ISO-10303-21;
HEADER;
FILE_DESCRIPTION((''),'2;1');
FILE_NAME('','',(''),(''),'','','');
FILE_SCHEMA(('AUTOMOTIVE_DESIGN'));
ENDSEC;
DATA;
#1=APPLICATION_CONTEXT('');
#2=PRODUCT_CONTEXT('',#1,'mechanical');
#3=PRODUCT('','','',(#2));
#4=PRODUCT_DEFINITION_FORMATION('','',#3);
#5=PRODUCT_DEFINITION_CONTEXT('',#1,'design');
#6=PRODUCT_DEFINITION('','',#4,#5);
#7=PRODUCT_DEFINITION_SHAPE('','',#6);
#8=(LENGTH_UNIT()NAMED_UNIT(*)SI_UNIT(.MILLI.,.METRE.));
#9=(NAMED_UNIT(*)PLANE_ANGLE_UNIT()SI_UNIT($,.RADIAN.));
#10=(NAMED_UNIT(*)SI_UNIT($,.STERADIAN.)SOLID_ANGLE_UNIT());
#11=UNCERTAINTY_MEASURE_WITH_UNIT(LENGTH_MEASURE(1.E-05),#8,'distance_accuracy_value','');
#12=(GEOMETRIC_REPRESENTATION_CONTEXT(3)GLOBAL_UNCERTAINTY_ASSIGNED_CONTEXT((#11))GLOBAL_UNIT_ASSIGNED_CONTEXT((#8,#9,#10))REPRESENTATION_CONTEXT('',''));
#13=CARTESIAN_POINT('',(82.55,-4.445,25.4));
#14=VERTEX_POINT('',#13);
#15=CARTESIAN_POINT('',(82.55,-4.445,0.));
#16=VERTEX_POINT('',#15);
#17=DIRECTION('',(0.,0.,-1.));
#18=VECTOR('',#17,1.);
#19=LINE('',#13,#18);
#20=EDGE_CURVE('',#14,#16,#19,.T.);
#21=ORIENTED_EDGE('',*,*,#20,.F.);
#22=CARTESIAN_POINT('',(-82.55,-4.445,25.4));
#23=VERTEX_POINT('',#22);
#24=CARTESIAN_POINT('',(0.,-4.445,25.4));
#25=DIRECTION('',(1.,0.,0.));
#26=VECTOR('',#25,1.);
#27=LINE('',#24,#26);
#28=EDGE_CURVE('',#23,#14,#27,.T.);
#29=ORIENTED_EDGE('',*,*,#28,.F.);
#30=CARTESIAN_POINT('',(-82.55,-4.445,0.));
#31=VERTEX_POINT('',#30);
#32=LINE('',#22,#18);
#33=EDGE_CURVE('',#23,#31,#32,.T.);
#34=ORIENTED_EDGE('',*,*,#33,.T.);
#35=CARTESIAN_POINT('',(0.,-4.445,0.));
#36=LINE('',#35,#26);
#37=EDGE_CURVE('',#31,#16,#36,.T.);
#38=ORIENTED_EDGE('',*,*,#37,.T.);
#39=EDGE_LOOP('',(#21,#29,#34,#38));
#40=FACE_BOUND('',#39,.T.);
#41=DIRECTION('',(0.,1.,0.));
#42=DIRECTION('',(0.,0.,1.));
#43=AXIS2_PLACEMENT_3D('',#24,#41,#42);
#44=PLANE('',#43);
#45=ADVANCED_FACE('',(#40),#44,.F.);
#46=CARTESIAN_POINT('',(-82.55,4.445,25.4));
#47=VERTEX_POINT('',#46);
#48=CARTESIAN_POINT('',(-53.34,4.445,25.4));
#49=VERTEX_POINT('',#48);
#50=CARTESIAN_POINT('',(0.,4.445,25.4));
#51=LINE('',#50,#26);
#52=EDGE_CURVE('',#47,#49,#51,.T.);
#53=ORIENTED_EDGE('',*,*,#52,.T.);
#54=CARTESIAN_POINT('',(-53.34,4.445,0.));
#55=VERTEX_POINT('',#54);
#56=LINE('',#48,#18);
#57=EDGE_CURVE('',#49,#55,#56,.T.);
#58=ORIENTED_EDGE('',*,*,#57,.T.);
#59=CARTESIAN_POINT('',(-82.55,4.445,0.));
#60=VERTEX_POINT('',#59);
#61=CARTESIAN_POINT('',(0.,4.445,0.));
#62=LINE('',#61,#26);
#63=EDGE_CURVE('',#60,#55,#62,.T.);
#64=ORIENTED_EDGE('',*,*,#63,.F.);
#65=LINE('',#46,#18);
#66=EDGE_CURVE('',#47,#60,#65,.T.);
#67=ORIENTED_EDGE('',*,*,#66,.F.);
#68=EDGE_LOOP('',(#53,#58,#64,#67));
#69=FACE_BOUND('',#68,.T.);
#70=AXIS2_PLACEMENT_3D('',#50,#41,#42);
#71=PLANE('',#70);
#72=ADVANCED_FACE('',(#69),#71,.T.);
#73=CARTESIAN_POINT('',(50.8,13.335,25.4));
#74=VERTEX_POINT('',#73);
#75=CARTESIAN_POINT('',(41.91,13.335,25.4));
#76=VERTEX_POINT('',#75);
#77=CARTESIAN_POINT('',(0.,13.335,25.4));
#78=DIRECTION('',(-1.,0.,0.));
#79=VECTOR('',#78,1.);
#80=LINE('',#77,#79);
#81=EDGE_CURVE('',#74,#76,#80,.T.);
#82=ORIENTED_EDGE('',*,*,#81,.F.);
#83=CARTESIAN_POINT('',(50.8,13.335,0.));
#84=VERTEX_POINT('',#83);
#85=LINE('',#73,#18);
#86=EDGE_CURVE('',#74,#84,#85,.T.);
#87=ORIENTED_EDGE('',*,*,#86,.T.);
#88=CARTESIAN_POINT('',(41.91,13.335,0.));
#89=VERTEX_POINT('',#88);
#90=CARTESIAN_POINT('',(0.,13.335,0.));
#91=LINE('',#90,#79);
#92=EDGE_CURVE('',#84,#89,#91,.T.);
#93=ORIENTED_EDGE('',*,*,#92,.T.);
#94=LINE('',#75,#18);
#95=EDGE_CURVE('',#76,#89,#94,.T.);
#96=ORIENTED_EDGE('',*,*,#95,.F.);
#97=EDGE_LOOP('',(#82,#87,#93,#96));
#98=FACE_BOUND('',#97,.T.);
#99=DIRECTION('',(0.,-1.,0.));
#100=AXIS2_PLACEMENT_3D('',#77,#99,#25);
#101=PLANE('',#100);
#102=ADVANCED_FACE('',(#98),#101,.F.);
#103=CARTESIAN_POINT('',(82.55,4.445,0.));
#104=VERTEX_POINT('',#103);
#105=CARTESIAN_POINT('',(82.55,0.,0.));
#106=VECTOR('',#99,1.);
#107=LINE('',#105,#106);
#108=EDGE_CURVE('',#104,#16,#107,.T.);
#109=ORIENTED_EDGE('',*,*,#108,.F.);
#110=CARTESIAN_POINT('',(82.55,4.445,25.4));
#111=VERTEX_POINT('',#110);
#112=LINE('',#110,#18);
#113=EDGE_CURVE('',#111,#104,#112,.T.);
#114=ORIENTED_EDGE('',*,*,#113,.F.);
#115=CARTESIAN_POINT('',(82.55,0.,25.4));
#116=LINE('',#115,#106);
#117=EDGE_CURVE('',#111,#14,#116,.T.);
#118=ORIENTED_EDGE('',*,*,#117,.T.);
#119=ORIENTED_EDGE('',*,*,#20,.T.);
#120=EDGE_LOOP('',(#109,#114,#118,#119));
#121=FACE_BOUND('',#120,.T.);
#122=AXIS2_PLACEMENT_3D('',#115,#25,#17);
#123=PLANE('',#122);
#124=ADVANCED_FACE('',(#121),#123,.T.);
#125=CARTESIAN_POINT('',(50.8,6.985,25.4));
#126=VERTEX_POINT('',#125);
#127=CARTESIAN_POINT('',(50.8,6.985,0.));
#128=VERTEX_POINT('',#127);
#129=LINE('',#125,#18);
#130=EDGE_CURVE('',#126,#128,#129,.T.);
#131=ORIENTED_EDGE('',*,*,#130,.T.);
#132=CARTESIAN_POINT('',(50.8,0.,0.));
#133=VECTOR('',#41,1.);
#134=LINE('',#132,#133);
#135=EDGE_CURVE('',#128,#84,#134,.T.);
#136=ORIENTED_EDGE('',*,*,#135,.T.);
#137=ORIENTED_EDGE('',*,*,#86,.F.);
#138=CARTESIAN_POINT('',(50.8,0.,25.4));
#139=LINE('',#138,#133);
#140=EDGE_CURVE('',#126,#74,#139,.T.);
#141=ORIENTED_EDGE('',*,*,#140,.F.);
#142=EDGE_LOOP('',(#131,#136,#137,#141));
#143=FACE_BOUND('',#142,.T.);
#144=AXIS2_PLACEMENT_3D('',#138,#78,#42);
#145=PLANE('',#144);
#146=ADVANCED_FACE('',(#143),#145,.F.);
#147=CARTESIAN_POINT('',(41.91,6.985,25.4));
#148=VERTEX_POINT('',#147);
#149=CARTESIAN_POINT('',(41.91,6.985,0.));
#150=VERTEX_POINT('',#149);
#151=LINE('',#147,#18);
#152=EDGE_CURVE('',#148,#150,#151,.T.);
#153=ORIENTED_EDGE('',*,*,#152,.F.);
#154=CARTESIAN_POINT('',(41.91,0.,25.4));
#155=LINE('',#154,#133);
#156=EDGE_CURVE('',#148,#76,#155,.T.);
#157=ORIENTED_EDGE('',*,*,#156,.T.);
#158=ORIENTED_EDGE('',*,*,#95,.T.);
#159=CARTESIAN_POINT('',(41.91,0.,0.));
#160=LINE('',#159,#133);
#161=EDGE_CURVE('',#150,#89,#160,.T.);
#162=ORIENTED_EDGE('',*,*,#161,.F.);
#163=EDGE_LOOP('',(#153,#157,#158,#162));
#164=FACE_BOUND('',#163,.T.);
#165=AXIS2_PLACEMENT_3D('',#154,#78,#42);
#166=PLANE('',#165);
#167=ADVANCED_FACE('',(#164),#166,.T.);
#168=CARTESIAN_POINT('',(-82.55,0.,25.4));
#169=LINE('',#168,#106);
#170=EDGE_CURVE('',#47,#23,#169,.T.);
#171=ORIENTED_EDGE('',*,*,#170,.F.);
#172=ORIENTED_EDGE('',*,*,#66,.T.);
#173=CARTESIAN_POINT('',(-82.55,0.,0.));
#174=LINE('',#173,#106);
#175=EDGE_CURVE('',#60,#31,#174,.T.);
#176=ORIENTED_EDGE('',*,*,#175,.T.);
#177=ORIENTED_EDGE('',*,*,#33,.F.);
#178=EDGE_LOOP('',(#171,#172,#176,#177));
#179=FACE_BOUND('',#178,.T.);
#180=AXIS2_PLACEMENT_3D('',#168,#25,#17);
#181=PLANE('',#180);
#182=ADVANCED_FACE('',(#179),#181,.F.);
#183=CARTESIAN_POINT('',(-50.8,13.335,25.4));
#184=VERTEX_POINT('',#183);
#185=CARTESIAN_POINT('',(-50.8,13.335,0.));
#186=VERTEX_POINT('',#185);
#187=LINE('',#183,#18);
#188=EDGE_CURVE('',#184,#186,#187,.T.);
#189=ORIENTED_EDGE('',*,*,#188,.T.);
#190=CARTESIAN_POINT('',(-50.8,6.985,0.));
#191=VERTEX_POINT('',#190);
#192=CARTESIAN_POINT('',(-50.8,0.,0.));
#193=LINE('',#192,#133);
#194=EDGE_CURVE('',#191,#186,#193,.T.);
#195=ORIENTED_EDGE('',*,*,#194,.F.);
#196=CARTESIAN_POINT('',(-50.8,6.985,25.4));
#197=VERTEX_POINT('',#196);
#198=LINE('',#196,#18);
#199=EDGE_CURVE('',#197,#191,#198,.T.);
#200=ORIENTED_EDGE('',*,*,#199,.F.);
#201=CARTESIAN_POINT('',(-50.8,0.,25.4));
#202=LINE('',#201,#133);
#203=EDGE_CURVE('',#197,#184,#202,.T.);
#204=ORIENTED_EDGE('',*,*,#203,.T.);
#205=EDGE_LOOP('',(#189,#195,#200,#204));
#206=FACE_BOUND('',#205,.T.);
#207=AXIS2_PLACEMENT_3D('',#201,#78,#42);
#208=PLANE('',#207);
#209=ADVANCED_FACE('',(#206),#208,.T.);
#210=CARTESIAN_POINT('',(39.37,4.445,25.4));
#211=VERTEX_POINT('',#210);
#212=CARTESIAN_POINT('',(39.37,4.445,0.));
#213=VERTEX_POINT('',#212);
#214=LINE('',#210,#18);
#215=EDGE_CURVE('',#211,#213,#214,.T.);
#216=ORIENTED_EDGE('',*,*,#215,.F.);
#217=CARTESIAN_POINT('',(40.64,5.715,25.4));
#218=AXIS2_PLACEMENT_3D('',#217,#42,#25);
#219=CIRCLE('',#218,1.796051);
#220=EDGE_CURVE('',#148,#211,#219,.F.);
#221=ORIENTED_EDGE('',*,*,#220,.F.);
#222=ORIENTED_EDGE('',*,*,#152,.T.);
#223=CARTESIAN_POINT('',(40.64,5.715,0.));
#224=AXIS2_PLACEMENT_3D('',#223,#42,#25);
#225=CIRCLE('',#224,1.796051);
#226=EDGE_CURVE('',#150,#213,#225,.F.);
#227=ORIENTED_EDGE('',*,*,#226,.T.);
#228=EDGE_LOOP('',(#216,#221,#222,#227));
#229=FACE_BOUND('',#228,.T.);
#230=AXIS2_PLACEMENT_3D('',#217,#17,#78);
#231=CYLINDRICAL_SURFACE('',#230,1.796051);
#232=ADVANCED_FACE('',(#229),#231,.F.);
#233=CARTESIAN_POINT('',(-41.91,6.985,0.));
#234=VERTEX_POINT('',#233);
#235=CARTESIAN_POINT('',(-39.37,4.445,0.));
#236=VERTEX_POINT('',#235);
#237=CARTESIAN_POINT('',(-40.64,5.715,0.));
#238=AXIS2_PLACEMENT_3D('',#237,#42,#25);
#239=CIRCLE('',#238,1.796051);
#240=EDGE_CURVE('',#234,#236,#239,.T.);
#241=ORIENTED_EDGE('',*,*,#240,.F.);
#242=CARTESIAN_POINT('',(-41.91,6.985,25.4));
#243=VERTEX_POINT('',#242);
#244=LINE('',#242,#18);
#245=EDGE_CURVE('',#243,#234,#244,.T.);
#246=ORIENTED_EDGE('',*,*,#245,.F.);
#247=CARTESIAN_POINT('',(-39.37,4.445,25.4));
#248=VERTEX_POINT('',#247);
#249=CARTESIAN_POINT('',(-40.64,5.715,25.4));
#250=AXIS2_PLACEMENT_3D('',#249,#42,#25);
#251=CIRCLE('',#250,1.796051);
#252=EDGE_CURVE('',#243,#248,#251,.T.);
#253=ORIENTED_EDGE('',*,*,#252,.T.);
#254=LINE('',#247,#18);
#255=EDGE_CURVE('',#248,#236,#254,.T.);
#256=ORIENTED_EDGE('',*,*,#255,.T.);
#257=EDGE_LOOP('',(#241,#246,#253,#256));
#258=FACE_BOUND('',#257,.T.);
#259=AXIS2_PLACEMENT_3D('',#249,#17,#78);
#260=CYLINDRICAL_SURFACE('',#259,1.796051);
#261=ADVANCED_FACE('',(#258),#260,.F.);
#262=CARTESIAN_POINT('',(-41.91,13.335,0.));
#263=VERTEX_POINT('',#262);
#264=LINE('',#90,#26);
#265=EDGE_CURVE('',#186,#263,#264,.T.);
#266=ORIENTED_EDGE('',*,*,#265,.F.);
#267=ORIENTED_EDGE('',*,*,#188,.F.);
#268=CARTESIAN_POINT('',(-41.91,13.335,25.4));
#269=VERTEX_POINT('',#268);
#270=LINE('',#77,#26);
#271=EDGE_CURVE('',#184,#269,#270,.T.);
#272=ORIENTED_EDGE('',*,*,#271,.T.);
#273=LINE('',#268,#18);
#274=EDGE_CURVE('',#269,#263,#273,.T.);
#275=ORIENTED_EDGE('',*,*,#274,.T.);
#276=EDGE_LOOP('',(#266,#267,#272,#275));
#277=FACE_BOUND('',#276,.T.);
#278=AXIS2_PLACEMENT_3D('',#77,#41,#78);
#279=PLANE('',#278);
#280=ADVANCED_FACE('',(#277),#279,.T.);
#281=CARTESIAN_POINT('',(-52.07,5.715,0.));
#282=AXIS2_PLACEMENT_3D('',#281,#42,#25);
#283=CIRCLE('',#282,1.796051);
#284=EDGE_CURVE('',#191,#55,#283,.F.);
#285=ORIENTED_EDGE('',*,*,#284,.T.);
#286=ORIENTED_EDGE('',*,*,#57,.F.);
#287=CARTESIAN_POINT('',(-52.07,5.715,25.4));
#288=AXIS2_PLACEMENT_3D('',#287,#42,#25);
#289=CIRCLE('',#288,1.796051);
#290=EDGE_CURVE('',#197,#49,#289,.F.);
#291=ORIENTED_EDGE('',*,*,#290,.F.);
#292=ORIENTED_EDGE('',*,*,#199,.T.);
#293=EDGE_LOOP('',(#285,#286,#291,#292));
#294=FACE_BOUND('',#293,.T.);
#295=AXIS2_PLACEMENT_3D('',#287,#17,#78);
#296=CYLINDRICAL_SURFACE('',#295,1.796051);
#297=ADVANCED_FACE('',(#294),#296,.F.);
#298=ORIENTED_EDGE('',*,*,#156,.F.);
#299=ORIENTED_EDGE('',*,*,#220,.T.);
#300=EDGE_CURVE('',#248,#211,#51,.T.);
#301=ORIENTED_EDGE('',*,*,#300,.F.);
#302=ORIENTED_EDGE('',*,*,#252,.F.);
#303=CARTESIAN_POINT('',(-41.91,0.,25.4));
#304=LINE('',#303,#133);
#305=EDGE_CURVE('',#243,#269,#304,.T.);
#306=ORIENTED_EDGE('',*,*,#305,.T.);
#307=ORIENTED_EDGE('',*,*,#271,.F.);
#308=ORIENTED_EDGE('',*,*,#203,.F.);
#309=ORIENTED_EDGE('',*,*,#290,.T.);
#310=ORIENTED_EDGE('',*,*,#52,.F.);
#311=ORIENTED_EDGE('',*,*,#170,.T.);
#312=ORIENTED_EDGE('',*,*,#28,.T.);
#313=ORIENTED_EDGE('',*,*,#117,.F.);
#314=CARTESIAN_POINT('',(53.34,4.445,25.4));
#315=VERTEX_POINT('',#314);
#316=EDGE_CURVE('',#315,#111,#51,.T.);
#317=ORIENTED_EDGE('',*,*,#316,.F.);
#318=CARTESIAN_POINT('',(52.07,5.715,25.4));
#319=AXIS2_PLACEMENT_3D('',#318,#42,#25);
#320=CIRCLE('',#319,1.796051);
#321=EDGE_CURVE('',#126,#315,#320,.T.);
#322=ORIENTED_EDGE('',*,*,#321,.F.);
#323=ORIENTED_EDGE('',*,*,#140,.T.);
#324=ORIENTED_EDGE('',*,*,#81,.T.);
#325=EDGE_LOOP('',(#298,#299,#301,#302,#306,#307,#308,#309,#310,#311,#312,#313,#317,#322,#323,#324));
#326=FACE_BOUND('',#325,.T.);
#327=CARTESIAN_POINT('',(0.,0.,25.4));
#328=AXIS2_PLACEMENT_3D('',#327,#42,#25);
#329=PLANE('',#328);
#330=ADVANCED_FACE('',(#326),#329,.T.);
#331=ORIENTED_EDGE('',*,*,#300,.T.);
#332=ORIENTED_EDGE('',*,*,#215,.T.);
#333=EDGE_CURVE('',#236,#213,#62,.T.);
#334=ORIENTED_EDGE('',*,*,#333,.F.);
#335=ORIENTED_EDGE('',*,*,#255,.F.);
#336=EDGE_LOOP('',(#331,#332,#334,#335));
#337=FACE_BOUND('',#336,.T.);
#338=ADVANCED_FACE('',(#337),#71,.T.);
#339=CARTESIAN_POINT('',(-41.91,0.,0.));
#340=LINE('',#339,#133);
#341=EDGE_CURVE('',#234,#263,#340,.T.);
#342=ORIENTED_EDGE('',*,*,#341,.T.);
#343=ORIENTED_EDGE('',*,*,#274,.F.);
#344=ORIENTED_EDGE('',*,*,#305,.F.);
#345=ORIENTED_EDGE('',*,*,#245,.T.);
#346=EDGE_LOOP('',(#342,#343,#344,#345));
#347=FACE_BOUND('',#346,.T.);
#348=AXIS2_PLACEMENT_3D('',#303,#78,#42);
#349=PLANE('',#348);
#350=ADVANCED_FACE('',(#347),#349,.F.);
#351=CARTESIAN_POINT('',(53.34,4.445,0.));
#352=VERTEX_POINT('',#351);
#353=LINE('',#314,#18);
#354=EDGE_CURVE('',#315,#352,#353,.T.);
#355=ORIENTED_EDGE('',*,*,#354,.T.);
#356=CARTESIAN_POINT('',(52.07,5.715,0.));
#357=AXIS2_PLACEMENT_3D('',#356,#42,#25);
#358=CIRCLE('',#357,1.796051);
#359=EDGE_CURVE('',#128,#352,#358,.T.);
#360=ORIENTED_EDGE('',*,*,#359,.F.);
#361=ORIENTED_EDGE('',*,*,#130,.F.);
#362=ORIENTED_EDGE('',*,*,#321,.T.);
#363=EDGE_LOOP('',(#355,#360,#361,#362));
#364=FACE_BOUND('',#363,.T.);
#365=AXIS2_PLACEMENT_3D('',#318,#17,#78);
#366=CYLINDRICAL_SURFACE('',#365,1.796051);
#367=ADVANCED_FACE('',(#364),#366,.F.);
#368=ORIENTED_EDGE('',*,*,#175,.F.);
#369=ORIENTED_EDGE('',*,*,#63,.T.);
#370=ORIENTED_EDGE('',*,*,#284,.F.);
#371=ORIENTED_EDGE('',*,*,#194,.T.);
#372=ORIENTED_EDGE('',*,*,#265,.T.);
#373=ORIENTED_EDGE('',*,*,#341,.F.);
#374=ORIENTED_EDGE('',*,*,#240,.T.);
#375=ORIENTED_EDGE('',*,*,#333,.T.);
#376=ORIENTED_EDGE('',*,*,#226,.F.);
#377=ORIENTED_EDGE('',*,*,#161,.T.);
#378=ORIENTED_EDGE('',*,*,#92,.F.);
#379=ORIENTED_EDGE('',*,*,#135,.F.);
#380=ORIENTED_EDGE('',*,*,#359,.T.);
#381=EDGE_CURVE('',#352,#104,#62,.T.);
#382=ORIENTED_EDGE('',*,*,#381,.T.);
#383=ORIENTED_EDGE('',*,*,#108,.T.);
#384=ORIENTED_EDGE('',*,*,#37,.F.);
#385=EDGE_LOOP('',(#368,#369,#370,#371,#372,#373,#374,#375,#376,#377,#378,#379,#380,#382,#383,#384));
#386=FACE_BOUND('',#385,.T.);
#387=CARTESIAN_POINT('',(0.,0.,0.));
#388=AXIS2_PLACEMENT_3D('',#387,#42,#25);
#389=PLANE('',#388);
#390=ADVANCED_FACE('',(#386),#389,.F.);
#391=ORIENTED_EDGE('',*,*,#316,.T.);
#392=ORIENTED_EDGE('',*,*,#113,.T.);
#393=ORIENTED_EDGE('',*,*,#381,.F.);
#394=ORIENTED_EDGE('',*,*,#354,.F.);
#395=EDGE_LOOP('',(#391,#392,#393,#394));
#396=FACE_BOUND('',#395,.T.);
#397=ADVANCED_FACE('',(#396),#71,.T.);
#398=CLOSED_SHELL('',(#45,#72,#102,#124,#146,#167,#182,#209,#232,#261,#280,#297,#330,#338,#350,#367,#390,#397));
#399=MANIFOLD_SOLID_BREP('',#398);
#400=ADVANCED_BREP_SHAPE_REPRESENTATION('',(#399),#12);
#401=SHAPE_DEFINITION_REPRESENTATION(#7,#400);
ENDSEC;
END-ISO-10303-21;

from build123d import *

# Parameters (mm, degrees)
BOSS_EXTRUDE1_DEPTH = 25.4


with BuildPart() as part:
    # Sketch1 → Boss-Extrude1 (new body)
    with BuildSketch(Plane.XY):
        with BuildLine():
            Line((-53.34, 4.445), (-82.55, 4.445))
            Line((-82.55, 4.445), (-82.55, -4.445))
            Line((-82.55, -4.445), (82.55, -4.445))
            Line((82.55, -4.445), (82.55, 4.445))
            Line((82.55, 4.445), (53.34, 4.445))
            ThreePointArc((53.34, 4.445), (50.8, 4.445), (50.8, 6.985))
            Line((50.8, 6.985), (50.8, 13.335))
            Line((50.8, 13.335), (41.91, 13.335))
            Line((41.91, 13.335), (41.91, 6.985))
            ThreePointArc((41.91, 6.985), (41.91, 4.445), (39.37, 4.445))
            Line((39.37, 4.445), (-39.37, 4.445))
            ThreePointArc((-39.37, 4.445), (-41.91, 4.445), (-41.91, 6.985))
            Line((-41.91, 6.985), (-41.91, 13.335))
            Line((-41.91, 13.335), (-50.8, 13.335))
            Line((-50.8, 13.335), (-50.8, 6.985))
            ThreePointArc((-50.8, 6.985), (-50.8, 4.445), (-53.34, 4.445))
        make_face()
    extrude(amount=BOSS_EXTRUDE1_DEPTH)


solid = part.part
